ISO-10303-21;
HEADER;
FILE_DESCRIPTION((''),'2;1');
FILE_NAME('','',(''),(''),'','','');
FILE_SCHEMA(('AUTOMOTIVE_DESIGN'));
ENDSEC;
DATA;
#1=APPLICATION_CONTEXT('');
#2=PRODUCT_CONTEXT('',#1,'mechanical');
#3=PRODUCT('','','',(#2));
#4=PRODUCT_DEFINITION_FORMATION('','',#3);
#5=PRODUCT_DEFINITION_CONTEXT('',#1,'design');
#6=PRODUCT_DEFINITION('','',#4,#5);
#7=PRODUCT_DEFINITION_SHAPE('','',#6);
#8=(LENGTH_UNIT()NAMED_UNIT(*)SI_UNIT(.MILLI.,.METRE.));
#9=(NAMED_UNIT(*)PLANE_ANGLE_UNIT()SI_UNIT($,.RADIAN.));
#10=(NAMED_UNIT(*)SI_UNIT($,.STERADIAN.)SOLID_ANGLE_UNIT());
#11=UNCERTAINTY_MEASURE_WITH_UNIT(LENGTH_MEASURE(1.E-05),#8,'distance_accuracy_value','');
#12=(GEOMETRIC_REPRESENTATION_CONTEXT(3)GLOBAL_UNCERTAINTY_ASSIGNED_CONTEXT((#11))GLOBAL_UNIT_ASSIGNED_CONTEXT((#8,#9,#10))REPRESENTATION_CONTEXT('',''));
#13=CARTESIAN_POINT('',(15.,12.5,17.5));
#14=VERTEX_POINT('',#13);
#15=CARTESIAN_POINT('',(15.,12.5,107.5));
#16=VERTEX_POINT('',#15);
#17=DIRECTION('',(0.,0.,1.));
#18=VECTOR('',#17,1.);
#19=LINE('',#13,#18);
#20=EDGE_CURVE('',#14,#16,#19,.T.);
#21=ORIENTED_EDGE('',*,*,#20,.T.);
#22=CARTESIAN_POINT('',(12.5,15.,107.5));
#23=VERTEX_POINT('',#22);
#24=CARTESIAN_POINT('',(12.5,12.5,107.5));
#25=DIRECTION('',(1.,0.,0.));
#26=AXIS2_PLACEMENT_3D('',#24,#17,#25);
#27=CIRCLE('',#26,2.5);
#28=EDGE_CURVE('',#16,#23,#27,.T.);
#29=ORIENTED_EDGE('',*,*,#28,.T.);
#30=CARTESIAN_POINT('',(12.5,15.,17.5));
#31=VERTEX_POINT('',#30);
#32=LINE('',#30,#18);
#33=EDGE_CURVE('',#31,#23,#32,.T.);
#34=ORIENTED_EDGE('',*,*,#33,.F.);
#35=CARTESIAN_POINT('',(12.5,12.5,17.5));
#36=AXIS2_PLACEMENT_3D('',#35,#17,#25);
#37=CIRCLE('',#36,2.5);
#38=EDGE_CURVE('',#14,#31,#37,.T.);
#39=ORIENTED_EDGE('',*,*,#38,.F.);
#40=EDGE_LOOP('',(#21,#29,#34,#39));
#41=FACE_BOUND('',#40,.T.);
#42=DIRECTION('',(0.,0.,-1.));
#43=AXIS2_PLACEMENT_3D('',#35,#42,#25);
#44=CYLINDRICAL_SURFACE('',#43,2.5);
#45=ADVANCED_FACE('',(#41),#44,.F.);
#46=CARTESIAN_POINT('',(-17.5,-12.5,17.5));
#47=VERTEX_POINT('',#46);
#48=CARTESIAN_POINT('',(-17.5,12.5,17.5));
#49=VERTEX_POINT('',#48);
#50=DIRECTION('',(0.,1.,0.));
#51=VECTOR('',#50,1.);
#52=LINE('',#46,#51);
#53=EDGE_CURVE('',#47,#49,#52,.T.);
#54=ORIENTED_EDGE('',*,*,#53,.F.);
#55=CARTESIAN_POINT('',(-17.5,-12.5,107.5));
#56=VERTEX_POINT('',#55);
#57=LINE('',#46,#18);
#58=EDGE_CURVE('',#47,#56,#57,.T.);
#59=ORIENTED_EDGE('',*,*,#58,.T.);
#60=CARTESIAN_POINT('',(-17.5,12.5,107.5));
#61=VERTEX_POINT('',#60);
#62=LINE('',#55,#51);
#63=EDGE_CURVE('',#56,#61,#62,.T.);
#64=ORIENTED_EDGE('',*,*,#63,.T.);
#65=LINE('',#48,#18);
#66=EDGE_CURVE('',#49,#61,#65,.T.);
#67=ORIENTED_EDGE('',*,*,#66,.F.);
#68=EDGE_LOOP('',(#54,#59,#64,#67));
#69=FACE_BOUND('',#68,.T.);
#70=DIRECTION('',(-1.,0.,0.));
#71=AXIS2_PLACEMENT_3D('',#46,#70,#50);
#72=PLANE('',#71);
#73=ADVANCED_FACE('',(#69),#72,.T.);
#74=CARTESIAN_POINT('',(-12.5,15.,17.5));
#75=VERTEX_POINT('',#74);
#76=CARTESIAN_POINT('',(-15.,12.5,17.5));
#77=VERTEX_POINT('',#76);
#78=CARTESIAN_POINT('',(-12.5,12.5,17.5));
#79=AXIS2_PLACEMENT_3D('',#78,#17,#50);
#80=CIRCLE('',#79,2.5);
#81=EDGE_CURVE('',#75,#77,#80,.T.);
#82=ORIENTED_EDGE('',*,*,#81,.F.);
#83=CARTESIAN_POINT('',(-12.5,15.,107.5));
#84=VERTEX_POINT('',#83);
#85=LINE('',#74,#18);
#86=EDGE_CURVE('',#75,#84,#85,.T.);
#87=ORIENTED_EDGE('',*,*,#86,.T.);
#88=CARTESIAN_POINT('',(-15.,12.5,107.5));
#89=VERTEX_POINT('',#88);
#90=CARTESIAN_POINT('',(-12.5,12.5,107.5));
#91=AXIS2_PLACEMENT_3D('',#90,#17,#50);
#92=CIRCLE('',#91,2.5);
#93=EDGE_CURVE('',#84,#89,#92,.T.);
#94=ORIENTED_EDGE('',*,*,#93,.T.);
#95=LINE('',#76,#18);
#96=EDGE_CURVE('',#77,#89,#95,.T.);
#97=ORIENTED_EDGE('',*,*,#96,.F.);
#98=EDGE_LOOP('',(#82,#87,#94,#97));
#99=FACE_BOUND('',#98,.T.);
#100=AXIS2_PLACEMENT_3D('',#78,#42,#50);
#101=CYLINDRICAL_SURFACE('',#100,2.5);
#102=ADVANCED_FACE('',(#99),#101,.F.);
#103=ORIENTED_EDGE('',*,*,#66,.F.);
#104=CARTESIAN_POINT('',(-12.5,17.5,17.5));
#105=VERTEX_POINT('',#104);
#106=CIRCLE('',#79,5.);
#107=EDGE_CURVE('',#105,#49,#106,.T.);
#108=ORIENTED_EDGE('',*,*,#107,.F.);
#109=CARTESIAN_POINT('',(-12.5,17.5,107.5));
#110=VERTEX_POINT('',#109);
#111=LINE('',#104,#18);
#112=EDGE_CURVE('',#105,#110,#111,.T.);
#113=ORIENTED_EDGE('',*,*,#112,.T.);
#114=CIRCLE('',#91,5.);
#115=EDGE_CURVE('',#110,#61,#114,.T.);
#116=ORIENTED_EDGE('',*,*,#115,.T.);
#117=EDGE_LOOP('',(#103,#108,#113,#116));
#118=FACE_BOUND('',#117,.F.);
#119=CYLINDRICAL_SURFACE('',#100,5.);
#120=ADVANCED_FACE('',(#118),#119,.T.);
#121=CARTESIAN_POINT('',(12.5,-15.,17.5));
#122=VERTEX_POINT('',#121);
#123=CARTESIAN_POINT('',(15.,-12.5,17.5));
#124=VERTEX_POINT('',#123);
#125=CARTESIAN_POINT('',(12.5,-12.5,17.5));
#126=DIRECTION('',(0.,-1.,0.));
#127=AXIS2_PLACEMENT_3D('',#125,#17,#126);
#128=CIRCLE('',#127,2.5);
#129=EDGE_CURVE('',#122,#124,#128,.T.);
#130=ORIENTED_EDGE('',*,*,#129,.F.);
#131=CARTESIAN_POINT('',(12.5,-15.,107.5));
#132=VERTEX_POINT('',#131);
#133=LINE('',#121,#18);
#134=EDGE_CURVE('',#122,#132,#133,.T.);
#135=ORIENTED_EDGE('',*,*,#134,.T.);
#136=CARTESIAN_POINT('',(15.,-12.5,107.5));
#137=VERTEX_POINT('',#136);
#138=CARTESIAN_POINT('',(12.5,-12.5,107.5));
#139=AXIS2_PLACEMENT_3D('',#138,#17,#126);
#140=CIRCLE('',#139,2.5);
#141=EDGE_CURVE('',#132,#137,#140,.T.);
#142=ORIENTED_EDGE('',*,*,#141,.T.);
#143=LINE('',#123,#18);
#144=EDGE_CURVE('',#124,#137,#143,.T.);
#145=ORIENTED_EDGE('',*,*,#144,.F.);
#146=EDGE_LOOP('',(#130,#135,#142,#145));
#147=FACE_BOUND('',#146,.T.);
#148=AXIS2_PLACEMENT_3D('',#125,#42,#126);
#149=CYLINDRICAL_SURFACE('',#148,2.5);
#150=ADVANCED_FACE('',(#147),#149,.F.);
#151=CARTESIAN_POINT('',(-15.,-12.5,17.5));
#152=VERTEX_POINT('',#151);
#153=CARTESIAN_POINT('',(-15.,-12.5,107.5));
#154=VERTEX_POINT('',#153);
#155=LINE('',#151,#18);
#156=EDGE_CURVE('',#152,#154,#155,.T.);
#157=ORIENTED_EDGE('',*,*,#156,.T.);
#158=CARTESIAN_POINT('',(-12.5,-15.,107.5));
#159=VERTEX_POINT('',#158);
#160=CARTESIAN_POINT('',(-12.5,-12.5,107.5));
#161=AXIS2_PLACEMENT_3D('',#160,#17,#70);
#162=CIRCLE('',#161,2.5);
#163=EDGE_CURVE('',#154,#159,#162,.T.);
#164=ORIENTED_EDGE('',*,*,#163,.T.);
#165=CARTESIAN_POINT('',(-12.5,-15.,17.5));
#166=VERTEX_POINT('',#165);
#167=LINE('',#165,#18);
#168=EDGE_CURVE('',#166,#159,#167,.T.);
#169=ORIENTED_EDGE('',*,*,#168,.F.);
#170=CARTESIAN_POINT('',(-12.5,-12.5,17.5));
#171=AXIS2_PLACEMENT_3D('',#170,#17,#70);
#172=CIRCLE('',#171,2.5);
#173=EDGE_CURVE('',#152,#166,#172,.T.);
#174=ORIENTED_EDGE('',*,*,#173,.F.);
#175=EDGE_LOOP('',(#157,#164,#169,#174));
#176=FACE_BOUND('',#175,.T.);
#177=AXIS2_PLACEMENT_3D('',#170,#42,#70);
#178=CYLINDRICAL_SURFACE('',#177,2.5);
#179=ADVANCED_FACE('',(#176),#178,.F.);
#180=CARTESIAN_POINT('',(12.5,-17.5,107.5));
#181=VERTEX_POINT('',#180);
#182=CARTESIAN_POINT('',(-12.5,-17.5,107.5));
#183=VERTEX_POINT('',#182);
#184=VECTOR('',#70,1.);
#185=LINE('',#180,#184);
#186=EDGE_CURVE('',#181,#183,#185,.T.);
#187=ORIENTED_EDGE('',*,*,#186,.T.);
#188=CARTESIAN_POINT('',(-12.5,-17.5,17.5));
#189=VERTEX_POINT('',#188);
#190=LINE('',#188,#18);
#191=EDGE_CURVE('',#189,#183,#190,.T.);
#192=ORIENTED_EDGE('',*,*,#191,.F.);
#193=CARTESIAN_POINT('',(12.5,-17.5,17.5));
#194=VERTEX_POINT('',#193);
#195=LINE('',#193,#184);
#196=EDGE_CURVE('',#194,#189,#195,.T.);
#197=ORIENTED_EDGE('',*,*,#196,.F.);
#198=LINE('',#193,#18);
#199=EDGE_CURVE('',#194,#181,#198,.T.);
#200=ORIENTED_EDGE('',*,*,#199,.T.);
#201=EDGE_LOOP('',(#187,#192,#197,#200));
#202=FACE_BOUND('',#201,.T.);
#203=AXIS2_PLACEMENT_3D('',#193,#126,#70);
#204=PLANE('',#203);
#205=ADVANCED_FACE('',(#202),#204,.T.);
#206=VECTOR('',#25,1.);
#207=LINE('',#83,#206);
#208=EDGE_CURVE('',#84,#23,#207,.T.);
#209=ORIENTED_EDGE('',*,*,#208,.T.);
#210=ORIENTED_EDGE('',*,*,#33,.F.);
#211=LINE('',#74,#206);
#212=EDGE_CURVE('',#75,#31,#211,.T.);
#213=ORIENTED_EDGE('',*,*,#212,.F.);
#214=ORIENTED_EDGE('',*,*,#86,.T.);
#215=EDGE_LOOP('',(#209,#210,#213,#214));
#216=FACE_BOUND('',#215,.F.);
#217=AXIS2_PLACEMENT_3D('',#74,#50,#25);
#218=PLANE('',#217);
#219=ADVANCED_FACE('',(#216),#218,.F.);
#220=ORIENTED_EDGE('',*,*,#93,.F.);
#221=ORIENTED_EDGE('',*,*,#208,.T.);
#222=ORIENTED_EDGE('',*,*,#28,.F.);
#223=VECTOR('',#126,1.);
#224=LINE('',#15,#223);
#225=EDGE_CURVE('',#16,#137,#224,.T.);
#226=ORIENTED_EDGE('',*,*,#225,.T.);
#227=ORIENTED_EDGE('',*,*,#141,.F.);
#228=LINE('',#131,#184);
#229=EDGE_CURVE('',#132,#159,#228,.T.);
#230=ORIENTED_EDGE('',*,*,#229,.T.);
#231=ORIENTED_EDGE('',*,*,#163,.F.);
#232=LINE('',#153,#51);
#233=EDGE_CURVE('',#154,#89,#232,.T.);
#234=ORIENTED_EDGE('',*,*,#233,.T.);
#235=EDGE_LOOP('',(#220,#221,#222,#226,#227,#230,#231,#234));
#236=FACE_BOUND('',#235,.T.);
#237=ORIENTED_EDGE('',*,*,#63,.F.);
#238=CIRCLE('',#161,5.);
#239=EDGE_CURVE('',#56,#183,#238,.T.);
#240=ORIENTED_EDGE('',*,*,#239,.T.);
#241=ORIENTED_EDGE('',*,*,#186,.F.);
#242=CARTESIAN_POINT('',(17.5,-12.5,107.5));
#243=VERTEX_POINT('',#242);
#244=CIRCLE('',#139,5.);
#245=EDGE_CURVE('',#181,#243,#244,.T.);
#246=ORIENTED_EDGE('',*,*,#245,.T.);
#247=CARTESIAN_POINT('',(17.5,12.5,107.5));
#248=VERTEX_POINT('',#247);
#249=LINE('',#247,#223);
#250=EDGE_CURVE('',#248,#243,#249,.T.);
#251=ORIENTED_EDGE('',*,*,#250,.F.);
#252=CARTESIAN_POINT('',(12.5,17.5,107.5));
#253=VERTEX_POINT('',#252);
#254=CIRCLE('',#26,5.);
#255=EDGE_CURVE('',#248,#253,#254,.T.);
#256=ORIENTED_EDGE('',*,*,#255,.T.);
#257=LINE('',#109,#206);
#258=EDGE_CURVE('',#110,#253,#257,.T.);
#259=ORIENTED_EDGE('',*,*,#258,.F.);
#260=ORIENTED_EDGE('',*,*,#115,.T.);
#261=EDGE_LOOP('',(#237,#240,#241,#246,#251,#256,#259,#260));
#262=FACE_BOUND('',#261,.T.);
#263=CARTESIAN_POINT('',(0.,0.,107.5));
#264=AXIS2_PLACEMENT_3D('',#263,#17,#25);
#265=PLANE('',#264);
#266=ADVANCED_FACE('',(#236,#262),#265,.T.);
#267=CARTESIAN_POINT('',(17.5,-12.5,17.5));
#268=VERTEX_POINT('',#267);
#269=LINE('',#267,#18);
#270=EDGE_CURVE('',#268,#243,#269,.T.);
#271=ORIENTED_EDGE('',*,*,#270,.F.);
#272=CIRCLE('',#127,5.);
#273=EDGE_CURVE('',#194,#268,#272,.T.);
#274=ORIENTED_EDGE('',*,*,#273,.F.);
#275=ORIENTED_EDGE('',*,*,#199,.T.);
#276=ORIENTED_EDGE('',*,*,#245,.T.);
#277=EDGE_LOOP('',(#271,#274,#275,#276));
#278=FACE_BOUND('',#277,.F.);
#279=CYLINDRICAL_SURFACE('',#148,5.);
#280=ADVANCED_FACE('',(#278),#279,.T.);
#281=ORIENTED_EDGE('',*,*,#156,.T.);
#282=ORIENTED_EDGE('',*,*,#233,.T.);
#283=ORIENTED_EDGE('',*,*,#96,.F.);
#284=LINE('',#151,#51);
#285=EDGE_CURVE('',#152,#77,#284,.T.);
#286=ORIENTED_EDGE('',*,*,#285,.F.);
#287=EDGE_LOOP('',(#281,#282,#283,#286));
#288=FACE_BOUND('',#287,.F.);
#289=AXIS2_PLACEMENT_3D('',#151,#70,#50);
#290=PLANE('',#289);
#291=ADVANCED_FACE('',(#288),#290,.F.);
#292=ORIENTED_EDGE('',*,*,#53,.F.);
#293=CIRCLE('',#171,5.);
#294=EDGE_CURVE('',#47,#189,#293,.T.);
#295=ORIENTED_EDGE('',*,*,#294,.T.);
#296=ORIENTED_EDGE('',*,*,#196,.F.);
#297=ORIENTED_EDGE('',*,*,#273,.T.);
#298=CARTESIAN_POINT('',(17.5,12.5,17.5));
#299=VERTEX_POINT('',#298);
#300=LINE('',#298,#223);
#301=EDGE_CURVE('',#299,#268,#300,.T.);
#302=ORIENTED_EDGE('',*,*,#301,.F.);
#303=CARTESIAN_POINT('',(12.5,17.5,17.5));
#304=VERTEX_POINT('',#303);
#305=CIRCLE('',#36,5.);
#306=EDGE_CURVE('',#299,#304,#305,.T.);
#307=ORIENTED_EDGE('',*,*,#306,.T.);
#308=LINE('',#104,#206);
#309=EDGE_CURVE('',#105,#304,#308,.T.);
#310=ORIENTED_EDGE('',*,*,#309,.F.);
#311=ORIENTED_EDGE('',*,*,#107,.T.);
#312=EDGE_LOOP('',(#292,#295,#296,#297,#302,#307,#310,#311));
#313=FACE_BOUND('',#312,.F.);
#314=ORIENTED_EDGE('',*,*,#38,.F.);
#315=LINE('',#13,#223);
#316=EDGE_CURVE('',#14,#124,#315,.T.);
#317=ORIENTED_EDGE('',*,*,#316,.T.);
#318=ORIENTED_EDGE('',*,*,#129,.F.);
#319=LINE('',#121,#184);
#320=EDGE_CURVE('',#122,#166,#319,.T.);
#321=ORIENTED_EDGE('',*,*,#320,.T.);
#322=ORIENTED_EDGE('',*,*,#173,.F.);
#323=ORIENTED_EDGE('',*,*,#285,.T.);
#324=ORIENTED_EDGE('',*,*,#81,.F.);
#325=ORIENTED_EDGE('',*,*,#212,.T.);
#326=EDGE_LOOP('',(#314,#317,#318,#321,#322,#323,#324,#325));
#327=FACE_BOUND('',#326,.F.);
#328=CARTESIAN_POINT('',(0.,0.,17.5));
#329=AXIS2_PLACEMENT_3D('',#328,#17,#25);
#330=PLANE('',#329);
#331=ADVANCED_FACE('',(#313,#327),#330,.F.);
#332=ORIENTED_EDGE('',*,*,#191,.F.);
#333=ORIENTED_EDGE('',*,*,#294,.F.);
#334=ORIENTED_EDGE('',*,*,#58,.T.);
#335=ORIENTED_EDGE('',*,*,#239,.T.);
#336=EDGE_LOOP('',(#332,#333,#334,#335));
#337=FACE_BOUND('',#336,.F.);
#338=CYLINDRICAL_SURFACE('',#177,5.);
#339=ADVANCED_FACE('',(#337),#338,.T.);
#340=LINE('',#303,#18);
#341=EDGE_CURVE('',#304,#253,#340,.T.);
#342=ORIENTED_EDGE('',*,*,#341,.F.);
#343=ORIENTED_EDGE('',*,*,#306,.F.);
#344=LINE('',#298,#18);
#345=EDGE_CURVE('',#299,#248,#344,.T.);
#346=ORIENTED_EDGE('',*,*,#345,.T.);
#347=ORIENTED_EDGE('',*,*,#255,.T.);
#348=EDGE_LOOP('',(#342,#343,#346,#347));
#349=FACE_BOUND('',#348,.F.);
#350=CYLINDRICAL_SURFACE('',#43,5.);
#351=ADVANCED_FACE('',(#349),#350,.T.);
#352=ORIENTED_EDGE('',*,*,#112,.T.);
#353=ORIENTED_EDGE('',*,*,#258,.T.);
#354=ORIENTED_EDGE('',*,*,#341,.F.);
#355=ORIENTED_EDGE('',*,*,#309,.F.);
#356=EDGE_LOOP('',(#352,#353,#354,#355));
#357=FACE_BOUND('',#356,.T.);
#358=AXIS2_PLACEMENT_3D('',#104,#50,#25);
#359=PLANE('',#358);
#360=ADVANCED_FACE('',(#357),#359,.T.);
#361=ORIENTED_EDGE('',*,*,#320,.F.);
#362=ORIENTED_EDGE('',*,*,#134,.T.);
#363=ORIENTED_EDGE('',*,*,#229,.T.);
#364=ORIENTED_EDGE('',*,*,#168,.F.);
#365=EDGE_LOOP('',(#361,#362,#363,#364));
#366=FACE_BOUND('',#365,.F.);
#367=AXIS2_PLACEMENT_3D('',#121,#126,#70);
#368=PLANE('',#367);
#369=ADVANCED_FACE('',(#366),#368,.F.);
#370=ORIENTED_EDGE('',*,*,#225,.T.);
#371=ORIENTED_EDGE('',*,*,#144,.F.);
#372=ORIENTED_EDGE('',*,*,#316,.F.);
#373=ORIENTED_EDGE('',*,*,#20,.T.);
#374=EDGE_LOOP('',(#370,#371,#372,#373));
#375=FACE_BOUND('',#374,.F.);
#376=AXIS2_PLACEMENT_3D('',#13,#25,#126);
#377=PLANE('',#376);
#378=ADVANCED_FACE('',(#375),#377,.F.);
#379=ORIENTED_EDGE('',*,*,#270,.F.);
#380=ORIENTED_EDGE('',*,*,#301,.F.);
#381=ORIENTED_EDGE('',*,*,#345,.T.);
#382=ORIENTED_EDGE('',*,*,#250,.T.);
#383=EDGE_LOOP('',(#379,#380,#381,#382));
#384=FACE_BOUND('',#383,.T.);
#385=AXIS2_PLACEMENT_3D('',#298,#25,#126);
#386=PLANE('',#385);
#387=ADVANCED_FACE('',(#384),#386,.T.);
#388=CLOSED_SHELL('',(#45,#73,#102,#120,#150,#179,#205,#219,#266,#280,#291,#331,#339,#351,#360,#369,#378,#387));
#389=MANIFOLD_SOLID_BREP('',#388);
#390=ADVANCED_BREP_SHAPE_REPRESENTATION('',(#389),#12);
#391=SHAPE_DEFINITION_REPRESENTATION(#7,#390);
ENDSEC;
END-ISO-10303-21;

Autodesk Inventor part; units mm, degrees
ref_plane "Start plane" through (0, 0, 17.5) normal (0, 0, 1) x (1, 0, 0)
ref_plane "End plane" through (0, 0, 107.5) normal (0, 0, 1) x (1, 0, 0)
sketch "Sketch" plane through (0, 0, 0) normal (0, 0, 1) x (1, 0, 0)
  line L0 (-17.5, -12.5) -> (-17.5, 12.5)
  line L1 (-12.5, 17.5) -> (12.5, 17.5)
  line L2 (17.5, 12.5) -> (17.5, -12.5)
  line L3 (12.5, -17.5) -> (-12.5, -17.5)
  arc A0 (-17.5, -12.5) -> (-12.5, -17.5) centre (-12.5, -12.5) ccw
  arc A1 (-12.5, 17.5) -> (-17.5, 12.5) centre (-12.5, 12.5) ccw
  arc A2 (17.5, 12.5) -> (12.5, 17.5) centre (12.5, 12.5) ccw
  arc A3 (12.5, -17.5) -> (17.5, -12.5) centre (12.5, -12.5) ccw
  arc A4 (-12.5, 15) -> (-15, 12.5) centre (-12.5, 12.5) ccw
  line L4 (-12.5, 15) -> (12.5, 15)
  arc A5 (15, 12.5) -> (12.5, 15) centre (12.5, 12.5) ccw
  line L5 (15, 12.5) -> (15, -12.5)
  arc A6 (12.5, -15) -> (15, -12.5) centre (12.5, -12.5) ccw
  line L6 (12.5, -15) -> (-12.5, -15)
  arc A7 (-15, -12.5) -> (-12.5, -15) centre (-12.5, -12.5) ccw
  line L7 (-15, -12.5) -> (-15, 12.5)
  line L8 (0, 25.4278) -> (0, -25.4278) construction
  line L9 (-25.4278, 0) -> (25.4278, 0) construction
  dimension "d7" = 5
  dimension "d10" = 35
  dimension "d11" = 35
  dimension "d12" = 2.5
  dimension "d15" = 17.5
  dimension "d16" = 17.5
extrude "Body" add sketch "Sketch" along normal up to surface (90 mm away) from surface at 17.5
sketch "Sketch3" plane through (0, 0, 0) normal (0, 0, 1) x (1, 0, 0)
  line L0 (0, 0) -> (10, 0)
ref_plane "Work Plane3" through (0, 0, 0) normal (0, -1, 0) x (1, 0, 0)
sketch "Sketch4" plane through (0, 0, 0) normal (0, -1, 0) x (1, 0, 0)
  line L0 (-2, 17.5) -> (12, 17.5)
  line L1 (-2, 107.5) -> (12, 107.5)
  dimension "d18" = 90
ref_plane "Work Plane4" through (0, 817.5, 107.5) normal (0, 0, 1) x (1, 0, 0)
split "Split1" plane through (0, 817.5, 107.5) removes the side toward (0, 0, 1)
ref_plane "Work Plane5" through (0, 812.5, 17.5) normal (0, 0, -1) x (-1, 0, 0)
split "Split2" plane through (0, 812.5, 17.5) removes the side toward (0, 0, -1)
equation "\"d7\" = G_IR"
equation "\"d10\" = G_H"
equation "\"d11\" = G_W"
equation "\"d12\" = G_T"
equation "\"d15\" = 0.5 * d10"
equation "\"d16\" = 0.5 * d11"
equation "\"d3\" = G_L"
equation "\"G_W\" = 35"
equation "\"G_H\" = 35"
equation "\"G_T\" = 2.5"
equation "\"G_IR\" = 5"
equation "\"G_L\" = d18"
equation "\"G_OFFSET_START\" = -17.5"
equation "\"G_OFFSET_END\" = -17.5"
equation "\"d13\" = -G_OFFSET_START"
equation "\"d14\" = G_OFFSET_END + B_L"
equation "\"B_L\" = 125"
properties part number "AS 1163 - C350L0 35x35x2.5 SHS - 90" material "Steel, Mild"
